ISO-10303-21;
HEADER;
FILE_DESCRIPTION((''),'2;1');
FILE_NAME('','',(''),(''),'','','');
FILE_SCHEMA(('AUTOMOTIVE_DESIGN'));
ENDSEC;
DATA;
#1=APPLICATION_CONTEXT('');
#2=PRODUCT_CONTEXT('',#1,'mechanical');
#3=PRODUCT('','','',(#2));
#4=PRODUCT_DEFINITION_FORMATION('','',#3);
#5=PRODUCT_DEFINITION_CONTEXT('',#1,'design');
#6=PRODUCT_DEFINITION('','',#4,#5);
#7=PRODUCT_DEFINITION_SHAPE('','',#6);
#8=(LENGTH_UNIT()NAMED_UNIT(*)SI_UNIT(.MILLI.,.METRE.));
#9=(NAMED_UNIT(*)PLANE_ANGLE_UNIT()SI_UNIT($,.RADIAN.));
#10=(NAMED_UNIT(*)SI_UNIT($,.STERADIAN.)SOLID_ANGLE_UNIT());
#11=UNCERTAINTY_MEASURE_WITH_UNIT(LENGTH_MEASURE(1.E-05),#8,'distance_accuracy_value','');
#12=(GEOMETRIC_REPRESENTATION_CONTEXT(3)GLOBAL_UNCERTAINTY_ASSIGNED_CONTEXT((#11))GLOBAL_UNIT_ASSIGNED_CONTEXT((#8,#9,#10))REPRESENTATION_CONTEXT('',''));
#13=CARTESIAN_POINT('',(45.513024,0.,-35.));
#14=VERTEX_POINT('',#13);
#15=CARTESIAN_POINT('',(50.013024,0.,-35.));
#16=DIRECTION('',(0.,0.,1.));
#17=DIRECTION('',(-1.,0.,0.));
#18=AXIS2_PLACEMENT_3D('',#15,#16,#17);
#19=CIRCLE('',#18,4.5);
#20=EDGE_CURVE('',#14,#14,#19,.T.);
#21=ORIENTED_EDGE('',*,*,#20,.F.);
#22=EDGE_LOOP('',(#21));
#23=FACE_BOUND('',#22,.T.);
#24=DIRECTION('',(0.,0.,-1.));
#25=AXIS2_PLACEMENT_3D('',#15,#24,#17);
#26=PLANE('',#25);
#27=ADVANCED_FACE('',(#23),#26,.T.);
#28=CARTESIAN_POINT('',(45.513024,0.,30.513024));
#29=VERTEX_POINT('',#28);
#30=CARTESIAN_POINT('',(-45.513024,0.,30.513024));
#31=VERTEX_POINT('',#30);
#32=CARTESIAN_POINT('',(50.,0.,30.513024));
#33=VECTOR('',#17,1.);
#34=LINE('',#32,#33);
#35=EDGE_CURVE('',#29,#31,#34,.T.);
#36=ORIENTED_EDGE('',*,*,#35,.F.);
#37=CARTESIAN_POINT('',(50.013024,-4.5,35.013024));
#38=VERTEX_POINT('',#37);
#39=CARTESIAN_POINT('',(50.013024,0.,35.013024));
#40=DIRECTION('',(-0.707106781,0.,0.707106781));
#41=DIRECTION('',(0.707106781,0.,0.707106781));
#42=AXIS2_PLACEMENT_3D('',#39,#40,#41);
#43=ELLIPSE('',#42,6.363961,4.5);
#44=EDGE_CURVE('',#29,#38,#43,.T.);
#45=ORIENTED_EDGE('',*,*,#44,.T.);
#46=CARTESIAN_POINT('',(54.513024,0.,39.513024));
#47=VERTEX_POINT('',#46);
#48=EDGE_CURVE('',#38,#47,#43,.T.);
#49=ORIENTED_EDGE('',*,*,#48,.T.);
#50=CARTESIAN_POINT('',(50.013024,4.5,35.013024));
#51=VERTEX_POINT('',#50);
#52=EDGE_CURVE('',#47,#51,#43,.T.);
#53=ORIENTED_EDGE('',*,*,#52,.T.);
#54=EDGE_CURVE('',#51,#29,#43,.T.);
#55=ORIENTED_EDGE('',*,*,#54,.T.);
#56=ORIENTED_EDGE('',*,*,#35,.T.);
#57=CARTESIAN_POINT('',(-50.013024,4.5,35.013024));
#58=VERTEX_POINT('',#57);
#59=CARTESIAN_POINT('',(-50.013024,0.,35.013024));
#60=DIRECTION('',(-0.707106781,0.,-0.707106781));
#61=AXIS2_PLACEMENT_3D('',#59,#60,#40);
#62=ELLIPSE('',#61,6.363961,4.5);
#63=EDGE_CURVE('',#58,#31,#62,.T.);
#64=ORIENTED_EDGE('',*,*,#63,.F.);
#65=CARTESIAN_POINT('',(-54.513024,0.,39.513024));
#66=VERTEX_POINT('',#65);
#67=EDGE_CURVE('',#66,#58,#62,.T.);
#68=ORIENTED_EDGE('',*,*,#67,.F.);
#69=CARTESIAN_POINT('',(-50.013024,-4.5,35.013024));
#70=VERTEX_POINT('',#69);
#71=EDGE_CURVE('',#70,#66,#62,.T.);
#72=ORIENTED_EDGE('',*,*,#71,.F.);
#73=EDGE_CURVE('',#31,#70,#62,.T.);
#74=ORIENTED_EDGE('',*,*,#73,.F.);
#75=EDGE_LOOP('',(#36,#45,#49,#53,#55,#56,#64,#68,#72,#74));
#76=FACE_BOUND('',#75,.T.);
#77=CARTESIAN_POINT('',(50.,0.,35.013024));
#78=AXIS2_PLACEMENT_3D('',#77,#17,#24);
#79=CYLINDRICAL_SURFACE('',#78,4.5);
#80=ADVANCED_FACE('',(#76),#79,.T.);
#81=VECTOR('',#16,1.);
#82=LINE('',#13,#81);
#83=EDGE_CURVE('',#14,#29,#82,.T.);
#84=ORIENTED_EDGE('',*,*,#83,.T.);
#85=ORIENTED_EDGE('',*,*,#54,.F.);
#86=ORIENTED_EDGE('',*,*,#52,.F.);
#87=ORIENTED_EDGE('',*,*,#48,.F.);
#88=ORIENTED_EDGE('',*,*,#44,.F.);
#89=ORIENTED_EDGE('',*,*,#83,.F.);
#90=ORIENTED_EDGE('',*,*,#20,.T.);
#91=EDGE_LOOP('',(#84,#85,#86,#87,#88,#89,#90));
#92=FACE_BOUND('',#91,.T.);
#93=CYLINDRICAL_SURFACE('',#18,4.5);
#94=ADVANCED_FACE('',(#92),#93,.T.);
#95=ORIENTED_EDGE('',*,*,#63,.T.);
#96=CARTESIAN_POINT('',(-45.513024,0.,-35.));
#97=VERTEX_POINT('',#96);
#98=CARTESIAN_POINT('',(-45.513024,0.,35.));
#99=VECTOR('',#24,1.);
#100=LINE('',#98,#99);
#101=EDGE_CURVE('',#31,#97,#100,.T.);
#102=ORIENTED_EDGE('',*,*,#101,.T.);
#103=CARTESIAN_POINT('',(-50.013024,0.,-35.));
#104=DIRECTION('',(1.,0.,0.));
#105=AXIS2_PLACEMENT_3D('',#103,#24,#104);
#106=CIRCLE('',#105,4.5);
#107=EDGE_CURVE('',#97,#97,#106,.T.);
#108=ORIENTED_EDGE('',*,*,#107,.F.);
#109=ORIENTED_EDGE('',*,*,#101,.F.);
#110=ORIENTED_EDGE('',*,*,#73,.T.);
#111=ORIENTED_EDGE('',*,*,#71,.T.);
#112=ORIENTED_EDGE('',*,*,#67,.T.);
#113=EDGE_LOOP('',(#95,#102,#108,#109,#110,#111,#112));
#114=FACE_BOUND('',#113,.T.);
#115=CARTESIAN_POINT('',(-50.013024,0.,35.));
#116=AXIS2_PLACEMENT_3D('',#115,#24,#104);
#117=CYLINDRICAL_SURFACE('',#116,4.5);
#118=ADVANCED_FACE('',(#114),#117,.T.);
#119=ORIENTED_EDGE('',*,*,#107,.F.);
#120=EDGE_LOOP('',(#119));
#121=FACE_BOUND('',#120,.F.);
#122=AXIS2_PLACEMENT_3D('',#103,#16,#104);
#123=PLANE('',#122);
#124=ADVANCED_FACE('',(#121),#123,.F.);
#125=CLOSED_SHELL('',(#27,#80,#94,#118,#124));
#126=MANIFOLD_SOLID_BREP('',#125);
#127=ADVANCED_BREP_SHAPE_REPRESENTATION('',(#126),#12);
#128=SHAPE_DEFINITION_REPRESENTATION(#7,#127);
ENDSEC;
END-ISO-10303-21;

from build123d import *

# Parameters (mm, degrees)
F2_R = 4.5


with BuildPart() as f3:
    # F3: sweep along a path in F0
    with BuildLine(Plane.XZ) as f3_path:
        Line((50, -35), (50, 35))
        Line((50, 35), (-50, 35))
        Line((-50, 35), (-50, -35))
    # F2 (on offset) → F3 (sweep)
    with BuildSketch(Plane.XY.offset(-35)):
        with Locations((-50.0130243599, 0)):
            Circle(F2_R)
    sweep(path=f3_path.line, transition=Transition.RIGHT)


solid = f3.part
